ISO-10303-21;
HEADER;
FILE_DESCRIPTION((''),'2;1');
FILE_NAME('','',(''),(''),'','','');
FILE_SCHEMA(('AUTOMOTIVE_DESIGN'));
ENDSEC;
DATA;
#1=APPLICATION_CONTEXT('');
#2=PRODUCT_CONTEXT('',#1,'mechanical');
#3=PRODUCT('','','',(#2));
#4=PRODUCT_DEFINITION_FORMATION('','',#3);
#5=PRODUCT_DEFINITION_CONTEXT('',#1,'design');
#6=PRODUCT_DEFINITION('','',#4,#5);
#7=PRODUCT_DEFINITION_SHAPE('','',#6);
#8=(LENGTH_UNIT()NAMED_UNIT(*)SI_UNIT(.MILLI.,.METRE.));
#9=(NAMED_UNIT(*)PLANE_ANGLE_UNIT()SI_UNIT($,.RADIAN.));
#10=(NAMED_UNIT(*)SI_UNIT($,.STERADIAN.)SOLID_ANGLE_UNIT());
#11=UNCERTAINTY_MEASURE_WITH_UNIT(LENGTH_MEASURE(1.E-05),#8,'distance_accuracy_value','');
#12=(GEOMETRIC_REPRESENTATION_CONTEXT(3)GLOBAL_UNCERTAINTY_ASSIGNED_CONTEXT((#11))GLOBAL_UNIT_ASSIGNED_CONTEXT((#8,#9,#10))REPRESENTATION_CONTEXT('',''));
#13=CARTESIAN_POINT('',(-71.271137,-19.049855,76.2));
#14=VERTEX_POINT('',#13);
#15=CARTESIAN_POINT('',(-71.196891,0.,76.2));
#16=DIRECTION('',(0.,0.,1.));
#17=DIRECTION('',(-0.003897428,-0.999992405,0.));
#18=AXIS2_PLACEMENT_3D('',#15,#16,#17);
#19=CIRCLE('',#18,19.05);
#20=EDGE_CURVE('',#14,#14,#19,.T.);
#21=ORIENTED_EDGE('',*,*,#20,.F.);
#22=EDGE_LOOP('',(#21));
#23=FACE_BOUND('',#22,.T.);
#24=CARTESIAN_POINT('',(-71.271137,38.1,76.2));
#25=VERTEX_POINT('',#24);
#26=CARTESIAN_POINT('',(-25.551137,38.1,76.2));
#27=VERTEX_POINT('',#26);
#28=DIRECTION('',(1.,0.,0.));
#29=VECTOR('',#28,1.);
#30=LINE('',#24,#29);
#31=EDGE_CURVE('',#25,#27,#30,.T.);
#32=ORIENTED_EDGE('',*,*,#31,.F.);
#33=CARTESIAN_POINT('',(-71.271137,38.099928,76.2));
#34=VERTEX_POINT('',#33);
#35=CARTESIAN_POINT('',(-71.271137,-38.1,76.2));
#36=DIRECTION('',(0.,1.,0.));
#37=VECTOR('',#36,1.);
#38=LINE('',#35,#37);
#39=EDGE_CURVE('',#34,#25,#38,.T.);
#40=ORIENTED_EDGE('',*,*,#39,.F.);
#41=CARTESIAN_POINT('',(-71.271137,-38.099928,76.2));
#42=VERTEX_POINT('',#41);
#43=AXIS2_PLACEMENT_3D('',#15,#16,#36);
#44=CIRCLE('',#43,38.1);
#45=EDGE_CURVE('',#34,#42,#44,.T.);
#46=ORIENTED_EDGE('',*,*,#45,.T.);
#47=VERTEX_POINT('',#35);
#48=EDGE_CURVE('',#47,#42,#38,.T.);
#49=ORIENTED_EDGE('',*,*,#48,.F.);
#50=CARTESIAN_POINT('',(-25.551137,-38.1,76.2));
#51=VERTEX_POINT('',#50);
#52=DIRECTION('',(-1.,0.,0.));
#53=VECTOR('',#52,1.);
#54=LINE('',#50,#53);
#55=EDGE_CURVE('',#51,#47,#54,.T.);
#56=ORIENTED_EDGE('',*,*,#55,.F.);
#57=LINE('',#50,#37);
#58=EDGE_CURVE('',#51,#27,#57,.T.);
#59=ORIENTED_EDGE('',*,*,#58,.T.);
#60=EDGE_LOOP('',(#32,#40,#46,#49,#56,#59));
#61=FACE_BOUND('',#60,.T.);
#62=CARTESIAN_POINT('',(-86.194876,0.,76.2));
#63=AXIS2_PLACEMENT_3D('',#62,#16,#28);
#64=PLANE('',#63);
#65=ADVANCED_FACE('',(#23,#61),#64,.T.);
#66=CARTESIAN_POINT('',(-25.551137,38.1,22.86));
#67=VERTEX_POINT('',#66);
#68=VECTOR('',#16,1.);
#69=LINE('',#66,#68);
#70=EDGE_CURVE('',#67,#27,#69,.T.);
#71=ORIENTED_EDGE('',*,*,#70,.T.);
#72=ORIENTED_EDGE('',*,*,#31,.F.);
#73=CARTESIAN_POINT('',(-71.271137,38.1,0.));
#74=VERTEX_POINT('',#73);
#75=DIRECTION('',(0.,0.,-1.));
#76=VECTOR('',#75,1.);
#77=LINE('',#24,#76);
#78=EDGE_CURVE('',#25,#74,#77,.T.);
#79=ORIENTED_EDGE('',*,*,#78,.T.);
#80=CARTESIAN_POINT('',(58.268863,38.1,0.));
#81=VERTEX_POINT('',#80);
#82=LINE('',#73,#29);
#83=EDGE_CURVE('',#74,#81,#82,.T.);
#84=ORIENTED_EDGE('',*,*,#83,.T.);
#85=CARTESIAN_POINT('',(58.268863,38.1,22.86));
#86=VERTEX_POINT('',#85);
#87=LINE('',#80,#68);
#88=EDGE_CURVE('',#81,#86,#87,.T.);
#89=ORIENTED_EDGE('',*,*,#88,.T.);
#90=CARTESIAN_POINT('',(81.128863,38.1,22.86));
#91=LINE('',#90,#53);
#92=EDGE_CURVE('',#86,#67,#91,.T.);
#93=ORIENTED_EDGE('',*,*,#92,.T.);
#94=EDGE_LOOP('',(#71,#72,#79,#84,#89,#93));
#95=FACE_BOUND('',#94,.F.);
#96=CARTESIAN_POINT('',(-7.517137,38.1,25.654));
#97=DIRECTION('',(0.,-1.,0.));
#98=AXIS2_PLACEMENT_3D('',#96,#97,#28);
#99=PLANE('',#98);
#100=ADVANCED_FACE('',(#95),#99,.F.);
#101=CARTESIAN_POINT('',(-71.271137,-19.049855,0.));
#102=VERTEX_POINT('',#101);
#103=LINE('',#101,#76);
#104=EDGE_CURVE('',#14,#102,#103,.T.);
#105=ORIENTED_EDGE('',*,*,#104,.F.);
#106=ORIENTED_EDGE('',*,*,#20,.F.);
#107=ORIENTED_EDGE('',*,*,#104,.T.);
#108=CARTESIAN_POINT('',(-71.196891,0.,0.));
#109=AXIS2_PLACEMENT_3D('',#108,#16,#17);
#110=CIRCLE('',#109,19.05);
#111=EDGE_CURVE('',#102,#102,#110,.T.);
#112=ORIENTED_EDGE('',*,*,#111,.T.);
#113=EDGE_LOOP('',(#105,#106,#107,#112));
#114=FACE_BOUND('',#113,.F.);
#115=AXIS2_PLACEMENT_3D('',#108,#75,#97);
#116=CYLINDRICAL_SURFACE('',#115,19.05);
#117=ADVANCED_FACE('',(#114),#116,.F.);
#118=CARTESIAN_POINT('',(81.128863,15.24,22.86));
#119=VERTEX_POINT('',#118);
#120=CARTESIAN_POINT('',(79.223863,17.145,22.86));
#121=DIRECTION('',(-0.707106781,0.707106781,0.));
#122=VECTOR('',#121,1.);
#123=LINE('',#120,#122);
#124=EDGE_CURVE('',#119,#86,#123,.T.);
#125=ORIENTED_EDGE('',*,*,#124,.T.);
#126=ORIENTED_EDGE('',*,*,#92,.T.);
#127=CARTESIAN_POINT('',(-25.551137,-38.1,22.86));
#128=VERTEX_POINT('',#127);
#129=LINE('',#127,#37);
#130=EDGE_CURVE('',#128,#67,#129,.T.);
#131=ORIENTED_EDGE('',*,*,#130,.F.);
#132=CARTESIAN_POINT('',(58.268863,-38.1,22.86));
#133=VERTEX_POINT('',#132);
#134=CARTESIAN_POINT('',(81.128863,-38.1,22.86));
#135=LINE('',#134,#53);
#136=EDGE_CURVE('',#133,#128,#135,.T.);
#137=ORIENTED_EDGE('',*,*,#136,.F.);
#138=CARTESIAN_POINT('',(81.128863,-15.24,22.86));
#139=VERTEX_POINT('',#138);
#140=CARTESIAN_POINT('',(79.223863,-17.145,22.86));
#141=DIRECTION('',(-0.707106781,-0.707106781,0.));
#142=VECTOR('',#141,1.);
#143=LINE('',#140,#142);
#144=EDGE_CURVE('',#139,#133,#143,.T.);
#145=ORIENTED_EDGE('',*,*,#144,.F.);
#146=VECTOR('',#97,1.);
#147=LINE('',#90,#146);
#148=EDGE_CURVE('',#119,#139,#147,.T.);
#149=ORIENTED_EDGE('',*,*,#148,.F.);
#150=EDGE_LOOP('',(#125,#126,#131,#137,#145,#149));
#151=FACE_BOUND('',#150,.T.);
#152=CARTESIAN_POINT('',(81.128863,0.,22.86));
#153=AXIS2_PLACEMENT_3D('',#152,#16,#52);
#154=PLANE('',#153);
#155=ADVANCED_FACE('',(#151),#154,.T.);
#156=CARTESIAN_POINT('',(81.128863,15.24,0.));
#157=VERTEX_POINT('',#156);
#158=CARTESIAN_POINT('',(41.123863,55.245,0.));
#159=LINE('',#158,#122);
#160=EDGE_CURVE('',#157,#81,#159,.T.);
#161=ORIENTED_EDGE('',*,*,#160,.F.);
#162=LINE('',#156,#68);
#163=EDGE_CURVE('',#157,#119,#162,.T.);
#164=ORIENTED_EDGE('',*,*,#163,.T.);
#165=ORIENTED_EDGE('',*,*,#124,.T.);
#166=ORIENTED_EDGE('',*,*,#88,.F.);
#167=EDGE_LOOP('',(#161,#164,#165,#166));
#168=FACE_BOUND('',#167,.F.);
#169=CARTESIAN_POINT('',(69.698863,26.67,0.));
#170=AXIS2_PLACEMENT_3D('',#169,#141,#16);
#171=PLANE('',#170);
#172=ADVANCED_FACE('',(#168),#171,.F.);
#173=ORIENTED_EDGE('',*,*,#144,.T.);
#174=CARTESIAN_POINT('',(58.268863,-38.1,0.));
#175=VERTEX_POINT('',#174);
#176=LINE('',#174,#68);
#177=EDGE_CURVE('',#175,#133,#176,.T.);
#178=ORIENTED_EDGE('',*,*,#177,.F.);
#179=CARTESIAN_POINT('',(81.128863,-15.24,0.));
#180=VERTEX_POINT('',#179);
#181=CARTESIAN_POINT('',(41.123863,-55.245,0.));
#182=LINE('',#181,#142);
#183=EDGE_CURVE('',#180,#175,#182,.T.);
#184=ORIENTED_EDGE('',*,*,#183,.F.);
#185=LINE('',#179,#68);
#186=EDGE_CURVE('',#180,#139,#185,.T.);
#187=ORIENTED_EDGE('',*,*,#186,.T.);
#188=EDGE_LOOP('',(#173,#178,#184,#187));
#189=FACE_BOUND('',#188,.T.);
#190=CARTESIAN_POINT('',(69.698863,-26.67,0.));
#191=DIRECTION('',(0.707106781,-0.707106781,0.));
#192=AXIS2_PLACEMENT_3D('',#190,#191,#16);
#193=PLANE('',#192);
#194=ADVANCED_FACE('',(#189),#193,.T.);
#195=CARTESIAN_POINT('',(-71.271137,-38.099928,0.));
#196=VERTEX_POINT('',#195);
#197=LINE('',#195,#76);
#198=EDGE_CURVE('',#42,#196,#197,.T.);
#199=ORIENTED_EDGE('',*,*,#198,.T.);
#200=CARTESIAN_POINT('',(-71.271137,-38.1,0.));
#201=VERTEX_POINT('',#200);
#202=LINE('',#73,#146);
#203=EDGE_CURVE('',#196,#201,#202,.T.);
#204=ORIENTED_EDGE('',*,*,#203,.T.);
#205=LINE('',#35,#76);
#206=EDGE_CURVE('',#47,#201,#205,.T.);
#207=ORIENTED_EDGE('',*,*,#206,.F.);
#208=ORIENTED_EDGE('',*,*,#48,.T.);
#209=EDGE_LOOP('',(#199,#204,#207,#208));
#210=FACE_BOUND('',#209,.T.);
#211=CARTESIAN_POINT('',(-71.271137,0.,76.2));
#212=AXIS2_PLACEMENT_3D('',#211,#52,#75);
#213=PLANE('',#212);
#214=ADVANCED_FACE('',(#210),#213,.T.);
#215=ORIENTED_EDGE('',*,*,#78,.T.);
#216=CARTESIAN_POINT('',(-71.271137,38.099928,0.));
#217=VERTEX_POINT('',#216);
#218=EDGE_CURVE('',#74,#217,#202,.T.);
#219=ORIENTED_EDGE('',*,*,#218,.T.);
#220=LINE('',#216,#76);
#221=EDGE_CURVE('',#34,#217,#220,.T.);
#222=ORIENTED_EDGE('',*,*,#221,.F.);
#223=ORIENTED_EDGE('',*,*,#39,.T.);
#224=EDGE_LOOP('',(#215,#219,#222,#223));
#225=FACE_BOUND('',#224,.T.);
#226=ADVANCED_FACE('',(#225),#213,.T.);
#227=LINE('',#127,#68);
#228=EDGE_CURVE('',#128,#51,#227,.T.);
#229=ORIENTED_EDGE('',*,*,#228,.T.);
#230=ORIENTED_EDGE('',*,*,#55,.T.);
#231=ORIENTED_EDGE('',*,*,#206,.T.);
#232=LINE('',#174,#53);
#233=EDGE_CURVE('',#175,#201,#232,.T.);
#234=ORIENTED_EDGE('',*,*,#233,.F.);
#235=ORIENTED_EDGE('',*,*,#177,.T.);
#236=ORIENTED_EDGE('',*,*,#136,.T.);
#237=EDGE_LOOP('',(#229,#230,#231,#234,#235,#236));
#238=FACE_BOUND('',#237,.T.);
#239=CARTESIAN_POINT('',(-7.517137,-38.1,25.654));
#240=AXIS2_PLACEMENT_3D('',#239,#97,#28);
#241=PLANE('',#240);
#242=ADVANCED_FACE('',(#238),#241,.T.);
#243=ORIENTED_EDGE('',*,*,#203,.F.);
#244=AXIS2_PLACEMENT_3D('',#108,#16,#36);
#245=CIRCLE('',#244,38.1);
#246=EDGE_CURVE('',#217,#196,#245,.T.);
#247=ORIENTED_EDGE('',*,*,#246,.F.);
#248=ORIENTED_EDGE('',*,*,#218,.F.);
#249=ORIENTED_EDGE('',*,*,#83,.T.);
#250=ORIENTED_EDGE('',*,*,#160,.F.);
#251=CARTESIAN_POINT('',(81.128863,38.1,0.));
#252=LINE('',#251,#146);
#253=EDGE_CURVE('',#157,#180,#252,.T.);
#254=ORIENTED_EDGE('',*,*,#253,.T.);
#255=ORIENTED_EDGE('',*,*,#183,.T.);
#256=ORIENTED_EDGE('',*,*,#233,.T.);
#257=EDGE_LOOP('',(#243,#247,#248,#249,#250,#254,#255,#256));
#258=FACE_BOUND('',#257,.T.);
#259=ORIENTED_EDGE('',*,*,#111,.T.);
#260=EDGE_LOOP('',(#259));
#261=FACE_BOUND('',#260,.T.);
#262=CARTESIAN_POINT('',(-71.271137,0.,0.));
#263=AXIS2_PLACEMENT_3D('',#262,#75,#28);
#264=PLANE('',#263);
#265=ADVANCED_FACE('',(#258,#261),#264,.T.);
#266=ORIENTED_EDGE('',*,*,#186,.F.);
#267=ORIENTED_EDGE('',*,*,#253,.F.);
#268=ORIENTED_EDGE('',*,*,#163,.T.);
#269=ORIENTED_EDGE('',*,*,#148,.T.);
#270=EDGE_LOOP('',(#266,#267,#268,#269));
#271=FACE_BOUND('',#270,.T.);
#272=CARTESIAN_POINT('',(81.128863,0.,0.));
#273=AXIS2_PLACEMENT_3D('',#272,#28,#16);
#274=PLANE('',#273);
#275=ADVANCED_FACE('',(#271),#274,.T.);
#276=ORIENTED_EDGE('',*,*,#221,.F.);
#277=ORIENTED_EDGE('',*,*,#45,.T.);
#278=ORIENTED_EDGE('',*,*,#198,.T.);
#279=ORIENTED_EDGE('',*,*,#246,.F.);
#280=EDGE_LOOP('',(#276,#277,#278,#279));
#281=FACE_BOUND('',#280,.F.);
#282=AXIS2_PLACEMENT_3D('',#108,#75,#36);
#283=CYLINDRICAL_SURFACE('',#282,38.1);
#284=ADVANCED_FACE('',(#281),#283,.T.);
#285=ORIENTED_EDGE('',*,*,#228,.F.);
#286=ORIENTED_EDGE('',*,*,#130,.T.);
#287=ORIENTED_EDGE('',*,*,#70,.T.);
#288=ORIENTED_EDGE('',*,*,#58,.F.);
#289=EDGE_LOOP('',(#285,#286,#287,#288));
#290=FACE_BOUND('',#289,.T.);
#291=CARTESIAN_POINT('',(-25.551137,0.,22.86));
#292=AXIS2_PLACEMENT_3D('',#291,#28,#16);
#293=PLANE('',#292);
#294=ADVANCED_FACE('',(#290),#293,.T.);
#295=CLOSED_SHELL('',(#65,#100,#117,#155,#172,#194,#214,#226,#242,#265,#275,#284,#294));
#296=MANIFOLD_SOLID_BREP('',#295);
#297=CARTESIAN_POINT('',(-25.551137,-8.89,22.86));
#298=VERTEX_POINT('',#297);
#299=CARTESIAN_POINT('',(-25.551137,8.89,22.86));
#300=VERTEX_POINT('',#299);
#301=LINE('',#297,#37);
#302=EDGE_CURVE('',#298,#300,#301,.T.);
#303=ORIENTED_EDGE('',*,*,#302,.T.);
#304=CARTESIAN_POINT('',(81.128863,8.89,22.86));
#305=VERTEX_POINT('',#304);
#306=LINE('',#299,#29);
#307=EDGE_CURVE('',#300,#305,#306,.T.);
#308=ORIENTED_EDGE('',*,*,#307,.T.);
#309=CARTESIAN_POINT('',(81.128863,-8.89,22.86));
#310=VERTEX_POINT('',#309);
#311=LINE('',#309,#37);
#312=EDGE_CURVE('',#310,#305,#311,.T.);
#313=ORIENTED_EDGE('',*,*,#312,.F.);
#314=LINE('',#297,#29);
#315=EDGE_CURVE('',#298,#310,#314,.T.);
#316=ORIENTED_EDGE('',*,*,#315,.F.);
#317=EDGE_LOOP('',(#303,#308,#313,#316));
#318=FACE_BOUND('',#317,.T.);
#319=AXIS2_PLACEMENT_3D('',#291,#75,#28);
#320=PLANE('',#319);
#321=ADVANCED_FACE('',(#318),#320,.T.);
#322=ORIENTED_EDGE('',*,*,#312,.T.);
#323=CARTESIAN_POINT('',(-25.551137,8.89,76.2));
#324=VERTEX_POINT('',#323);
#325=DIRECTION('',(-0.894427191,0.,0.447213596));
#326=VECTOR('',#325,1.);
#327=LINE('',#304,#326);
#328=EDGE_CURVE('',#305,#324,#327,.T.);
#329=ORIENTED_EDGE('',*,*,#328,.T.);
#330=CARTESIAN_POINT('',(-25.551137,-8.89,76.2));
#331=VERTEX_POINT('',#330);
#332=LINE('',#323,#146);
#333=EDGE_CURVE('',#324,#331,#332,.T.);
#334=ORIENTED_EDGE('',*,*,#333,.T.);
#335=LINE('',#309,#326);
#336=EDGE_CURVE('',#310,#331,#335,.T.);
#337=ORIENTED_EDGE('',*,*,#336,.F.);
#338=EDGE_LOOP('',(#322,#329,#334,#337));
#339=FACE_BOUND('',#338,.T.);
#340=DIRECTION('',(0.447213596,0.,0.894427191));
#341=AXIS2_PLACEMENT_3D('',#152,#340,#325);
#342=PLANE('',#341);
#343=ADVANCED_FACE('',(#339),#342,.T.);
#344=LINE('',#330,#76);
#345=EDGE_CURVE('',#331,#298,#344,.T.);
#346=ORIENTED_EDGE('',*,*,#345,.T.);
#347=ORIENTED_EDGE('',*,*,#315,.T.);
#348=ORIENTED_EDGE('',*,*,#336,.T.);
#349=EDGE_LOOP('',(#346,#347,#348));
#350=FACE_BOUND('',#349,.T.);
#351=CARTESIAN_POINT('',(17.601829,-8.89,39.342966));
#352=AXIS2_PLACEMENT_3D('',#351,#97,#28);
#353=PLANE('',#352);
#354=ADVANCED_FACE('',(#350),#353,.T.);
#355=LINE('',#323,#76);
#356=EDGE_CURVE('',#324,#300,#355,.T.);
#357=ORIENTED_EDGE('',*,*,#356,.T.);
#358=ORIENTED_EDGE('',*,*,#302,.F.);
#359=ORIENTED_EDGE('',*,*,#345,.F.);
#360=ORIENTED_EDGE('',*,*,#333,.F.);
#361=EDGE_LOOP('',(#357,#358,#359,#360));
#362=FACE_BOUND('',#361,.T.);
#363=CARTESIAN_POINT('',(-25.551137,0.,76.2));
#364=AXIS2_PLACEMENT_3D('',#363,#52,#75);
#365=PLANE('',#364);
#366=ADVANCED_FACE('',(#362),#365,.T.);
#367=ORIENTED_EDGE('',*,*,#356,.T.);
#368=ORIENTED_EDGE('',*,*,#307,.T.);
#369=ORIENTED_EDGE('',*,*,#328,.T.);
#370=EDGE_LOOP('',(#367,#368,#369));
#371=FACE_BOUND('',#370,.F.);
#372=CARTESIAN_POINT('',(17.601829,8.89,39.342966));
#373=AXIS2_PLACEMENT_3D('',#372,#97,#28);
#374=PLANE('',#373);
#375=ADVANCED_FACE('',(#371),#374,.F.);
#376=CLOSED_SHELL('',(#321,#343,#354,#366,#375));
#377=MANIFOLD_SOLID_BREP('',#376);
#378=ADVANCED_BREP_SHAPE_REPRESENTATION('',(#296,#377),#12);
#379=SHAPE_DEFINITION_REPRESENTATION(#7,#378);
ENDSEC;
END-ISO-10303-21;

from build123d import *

# Parameters (mm, degrees)
F1_DEPTH = 38.1
F2_DEPTH = 8.89
F3_SIZE  = 22.86
F5_DEPTH = 76.2
F6_D     = 38.1


with BuildPart() as f1:
    # F0 (on Front) → F1 (new body, symmetric)
    with BuildSketch(Plane.XZ):
        Polygon((-71.271137, 76.2), (-71.271137, 0), (58.268863, 0), (81.128863, 0), (81.128863, 22.86), (-25.551137, 22.86), (-25.551137, 76.2), align=None)
    extrude(amount=F1_DEPTH, both=True)

    # F3
    f3_edges = [f1.edges().sort_by_distance(p)[0] for p in [
        (81.128863, -38.1, 11.43),
        (81.128863, 38.1, 11.43),
    ]]
    chamfer(f3_edges, length=F3_SIZE)

    # F4 (on Top) → F5 (join)
    with BuildSketch(Plane.XY):
        with BuildLine():
            ThreePointArc((-71.196891, -19.05), (-90.246891, 0), (-71.196891, 19.05))
            Line((-71.196891, 19.05), (-71.196891, 38.1))
            ThreePointArc((-71.196891, 38.1), (-109.296891, 0), (-71.196891, -38.1))
            Line((-71.196891, -38.1), (-71.196891, -19.05))
        make_face()
    extrude(amount=F5_DEPTH)

    # F6 (through all)
    with Locations(Plane(origin=(0, 0, 0), x_dir=(1, 0, 0), z_dir=(0, 0, -1))):
        with Locations((-71.196891, 0)):
            Hole(F6_D / 2)


with BuildPart() as f2:
    # F0 (on Front) → F2 (new body, symmetric)
    with BuildSketch(Plane.XZ):
        Polygon((81.128863, 22.86), (-25.551137, 76.2), (-25.551137, 22.86), align=None)
    extrude(amount=F2_DEPTH, both=True)


solid = Compound([f1.part, f2.part])
